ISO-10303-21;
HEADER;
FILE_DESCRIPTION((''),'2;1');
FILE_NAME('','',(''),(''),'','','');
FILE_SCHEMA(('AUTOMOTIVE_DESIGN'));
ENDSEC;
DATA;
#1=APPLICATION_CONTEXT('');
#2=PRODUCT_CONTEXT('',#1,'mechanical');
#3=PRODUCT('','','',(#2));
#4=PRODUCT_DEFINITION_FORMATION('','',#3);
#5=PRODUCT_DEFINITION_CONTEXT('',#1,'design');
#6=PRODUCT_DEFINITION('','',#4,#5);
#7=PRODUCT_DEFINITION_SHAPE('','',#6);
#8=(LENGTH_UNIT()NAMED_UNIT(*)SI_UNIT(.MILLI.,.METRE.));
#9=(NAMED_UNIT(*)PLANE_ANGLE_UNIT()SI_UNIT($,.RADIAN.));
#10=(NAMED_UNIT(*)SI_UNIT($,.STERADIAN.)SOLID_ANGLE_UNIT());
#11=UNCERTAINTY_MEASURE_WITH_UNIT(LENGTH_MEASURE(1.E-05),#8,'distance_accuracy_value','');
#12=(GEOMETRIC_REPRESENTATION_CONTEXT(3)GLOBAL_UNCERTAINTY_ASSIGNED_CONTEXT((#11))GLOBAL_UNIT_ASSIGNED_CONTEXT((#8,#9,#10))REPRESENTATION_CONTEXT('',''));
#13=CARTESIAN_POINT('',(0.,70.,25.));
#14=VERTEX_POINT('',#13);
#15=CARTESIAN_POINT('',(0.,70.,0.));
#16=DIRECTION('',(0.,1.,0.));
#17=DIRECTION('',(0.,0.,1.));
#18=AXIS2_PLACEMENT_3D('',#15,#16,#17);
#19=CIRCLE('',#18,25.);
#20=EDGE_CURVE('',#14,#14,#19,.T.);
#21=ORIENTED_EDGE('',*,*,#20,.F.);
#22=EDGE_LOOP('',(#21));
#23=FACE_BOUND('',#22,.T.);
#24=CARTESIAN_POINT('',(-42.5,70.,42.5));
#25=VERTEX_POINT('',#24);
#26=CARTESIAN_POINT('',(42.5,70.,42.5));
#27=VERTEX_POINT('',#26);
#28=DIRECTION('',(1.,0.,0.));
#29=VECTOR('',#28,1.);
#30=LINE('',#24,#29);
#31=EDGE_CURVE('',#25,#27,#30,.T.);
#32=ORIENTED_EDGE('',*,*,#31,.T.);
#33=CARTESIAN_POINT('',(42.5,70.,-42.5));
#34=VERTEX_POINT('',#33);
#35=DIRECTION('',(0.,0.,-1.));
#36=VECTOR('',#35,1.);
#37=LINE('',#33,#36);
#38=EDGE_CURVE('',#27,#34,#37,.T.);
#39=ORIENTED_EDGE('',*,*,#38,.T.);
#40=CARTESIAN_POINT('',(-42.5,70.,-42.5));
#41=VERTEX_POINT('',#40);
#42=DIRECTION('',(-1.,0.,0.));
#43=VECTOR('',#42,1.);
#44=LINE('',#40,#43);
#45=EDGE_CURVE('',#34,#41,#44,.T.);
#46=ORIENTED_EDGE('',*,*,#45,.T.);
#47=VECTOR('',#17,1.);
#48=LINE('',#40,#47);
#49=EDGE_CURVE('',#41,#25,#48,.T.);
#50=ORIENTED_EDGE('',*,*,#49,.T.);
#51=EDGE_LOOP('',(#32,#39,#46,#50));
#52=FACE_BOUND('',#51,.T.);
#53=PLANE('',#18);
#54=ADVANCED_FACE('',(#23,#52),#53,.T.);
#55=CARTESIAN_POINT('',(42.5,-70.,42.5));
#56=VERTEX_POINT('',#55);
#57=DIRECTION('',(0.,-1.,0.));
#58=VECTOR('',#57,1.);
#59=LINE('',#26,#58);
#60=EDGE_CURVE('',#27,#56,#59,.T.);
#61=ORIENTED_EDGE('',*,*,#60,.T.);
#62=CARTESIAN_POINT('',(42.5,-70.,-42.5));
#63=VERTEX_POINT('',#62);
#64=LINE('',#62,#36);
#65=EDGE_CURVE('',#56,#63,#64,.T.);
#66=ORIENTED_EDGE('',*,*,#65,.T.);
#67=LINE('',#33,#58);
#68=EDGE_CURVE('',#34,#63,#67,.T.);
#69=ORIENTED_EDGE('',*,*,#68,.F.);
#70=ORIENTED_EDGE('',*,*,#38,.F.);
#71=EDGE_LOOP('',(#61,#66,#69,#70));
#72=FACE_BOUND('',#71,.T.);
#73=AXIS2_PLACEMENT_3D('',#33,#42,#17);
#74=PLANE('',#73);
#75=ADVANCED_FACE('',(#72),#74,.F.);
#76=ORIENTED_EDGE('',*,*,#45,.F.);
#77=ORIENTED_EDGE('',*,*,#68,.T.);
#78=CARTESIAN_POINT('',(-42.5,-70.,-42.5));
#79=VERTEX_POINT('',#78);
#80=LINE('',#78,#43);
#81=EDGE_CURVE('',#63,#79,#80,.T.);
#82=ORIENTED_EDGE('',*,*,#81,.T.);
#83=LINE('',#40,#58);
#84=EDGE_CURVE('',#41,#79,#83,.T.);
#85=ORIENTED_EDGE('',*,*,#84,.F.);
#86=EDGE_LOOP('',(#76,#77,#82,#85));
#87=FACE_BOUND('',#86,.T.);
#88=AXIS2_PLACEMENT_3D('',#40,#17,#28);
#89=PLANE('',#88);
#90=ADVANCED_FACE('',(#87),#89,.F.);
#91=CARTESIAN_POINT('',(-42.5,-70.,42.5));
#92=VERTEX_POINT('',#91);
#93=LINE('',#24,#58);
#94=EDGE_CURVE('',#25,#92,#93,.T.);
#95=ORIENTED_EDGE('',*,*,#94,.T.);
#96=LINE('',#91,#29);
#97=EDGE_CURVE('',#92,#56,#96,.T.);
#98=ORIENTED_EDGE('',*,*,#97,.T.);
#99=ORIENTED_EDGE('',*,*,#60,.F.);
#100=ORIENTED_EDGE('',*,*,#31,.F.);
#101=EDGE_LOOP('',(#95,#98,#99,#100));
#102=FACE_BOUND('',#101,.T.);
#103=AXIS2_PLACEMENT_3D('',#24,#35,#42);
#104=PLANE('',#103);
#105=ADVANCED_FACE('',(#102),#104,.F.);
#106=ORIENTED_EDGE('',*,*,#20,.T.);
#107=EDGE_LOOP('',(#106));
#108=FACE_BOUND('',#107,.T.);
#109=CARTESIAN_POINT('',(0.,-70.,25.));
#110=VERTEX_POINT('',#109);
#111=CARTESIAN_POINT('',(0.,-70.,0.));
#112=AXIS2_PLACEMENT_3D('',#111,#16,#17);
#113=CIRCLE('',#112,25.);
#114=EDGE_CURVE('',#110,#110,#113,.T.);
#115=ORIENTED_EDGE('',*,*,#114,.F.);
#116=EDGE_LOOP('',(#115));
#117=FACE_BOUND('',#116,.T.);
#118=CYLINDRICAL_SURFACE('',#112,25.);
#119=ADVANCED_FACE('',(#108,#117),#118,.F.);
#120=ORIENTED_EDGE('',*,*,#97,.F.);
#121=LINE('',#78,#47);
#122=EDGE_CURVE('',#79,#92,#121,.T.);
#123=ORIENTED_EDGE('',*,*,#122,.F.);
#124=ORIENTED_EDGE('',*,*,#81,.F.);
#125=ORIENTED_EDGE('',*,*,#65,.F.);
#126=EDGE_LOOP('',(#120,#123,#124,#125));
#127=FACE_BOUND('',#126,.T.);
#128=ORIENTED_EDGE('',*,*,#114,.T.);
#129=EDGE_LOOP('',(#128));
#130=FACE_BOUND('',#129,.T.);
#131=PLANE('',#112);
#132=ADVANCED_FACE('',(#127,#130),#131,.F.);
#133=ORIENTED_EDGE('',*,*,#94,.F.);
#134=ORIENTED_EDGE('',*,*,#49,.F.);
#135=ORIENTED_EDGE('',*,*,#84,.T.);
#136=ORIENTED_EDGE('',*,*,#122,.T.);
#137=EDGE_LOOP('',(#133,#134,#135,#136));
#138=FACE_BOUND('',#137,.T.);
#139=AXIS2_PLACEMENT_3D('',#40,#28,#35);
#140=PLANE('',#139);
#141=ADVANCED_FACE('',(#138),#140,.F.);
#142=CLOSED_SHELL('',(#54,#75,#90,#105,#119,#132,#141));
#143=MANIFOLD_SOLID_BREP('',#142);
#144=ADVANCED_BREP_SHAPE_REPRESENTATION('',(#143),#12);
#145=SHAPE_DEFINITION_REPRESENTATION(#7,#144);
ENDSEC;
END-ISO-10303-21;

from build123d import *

# Parameters (mm, degrees)
SKETCH_1_W          = 85
SKETCH_1_H          = 85
EXTRUDE_1_DEPTH     = 70
SKETCH_2_R          = 25
CUT_EXTRUDE_1_DEPTH = 140


with BuildPart() as part:
    # 草图1 → 凸台-拉伸1 (new, symmetric)
    with BuildSketch(Plane(origin=(0, 0, 0), x_dir=(1, 0, 0), z_dir=(0, 1, 0))):
        Rectangle(SKETCH_1_W, SKETCH_1_H)
    extrude(amount=EXTRUDE_1_DEPTH, both=True)

    # 草图2 → 切除-拉伸1 (cut)
    with BuildSketch(Plane(origin=(0, 70, 0), x_dir=(1, 0, 0), z_dir=(0, 1, 0))):
        with Locations(Location((0, 0, 0), (0, 0, 270))):
            Circle(SKETCH_2_R)
    extrude(amount=-CUT_EXTRUDE_1_DEPTH, mode=Mode.SUBTRACT)


solid = part.part
